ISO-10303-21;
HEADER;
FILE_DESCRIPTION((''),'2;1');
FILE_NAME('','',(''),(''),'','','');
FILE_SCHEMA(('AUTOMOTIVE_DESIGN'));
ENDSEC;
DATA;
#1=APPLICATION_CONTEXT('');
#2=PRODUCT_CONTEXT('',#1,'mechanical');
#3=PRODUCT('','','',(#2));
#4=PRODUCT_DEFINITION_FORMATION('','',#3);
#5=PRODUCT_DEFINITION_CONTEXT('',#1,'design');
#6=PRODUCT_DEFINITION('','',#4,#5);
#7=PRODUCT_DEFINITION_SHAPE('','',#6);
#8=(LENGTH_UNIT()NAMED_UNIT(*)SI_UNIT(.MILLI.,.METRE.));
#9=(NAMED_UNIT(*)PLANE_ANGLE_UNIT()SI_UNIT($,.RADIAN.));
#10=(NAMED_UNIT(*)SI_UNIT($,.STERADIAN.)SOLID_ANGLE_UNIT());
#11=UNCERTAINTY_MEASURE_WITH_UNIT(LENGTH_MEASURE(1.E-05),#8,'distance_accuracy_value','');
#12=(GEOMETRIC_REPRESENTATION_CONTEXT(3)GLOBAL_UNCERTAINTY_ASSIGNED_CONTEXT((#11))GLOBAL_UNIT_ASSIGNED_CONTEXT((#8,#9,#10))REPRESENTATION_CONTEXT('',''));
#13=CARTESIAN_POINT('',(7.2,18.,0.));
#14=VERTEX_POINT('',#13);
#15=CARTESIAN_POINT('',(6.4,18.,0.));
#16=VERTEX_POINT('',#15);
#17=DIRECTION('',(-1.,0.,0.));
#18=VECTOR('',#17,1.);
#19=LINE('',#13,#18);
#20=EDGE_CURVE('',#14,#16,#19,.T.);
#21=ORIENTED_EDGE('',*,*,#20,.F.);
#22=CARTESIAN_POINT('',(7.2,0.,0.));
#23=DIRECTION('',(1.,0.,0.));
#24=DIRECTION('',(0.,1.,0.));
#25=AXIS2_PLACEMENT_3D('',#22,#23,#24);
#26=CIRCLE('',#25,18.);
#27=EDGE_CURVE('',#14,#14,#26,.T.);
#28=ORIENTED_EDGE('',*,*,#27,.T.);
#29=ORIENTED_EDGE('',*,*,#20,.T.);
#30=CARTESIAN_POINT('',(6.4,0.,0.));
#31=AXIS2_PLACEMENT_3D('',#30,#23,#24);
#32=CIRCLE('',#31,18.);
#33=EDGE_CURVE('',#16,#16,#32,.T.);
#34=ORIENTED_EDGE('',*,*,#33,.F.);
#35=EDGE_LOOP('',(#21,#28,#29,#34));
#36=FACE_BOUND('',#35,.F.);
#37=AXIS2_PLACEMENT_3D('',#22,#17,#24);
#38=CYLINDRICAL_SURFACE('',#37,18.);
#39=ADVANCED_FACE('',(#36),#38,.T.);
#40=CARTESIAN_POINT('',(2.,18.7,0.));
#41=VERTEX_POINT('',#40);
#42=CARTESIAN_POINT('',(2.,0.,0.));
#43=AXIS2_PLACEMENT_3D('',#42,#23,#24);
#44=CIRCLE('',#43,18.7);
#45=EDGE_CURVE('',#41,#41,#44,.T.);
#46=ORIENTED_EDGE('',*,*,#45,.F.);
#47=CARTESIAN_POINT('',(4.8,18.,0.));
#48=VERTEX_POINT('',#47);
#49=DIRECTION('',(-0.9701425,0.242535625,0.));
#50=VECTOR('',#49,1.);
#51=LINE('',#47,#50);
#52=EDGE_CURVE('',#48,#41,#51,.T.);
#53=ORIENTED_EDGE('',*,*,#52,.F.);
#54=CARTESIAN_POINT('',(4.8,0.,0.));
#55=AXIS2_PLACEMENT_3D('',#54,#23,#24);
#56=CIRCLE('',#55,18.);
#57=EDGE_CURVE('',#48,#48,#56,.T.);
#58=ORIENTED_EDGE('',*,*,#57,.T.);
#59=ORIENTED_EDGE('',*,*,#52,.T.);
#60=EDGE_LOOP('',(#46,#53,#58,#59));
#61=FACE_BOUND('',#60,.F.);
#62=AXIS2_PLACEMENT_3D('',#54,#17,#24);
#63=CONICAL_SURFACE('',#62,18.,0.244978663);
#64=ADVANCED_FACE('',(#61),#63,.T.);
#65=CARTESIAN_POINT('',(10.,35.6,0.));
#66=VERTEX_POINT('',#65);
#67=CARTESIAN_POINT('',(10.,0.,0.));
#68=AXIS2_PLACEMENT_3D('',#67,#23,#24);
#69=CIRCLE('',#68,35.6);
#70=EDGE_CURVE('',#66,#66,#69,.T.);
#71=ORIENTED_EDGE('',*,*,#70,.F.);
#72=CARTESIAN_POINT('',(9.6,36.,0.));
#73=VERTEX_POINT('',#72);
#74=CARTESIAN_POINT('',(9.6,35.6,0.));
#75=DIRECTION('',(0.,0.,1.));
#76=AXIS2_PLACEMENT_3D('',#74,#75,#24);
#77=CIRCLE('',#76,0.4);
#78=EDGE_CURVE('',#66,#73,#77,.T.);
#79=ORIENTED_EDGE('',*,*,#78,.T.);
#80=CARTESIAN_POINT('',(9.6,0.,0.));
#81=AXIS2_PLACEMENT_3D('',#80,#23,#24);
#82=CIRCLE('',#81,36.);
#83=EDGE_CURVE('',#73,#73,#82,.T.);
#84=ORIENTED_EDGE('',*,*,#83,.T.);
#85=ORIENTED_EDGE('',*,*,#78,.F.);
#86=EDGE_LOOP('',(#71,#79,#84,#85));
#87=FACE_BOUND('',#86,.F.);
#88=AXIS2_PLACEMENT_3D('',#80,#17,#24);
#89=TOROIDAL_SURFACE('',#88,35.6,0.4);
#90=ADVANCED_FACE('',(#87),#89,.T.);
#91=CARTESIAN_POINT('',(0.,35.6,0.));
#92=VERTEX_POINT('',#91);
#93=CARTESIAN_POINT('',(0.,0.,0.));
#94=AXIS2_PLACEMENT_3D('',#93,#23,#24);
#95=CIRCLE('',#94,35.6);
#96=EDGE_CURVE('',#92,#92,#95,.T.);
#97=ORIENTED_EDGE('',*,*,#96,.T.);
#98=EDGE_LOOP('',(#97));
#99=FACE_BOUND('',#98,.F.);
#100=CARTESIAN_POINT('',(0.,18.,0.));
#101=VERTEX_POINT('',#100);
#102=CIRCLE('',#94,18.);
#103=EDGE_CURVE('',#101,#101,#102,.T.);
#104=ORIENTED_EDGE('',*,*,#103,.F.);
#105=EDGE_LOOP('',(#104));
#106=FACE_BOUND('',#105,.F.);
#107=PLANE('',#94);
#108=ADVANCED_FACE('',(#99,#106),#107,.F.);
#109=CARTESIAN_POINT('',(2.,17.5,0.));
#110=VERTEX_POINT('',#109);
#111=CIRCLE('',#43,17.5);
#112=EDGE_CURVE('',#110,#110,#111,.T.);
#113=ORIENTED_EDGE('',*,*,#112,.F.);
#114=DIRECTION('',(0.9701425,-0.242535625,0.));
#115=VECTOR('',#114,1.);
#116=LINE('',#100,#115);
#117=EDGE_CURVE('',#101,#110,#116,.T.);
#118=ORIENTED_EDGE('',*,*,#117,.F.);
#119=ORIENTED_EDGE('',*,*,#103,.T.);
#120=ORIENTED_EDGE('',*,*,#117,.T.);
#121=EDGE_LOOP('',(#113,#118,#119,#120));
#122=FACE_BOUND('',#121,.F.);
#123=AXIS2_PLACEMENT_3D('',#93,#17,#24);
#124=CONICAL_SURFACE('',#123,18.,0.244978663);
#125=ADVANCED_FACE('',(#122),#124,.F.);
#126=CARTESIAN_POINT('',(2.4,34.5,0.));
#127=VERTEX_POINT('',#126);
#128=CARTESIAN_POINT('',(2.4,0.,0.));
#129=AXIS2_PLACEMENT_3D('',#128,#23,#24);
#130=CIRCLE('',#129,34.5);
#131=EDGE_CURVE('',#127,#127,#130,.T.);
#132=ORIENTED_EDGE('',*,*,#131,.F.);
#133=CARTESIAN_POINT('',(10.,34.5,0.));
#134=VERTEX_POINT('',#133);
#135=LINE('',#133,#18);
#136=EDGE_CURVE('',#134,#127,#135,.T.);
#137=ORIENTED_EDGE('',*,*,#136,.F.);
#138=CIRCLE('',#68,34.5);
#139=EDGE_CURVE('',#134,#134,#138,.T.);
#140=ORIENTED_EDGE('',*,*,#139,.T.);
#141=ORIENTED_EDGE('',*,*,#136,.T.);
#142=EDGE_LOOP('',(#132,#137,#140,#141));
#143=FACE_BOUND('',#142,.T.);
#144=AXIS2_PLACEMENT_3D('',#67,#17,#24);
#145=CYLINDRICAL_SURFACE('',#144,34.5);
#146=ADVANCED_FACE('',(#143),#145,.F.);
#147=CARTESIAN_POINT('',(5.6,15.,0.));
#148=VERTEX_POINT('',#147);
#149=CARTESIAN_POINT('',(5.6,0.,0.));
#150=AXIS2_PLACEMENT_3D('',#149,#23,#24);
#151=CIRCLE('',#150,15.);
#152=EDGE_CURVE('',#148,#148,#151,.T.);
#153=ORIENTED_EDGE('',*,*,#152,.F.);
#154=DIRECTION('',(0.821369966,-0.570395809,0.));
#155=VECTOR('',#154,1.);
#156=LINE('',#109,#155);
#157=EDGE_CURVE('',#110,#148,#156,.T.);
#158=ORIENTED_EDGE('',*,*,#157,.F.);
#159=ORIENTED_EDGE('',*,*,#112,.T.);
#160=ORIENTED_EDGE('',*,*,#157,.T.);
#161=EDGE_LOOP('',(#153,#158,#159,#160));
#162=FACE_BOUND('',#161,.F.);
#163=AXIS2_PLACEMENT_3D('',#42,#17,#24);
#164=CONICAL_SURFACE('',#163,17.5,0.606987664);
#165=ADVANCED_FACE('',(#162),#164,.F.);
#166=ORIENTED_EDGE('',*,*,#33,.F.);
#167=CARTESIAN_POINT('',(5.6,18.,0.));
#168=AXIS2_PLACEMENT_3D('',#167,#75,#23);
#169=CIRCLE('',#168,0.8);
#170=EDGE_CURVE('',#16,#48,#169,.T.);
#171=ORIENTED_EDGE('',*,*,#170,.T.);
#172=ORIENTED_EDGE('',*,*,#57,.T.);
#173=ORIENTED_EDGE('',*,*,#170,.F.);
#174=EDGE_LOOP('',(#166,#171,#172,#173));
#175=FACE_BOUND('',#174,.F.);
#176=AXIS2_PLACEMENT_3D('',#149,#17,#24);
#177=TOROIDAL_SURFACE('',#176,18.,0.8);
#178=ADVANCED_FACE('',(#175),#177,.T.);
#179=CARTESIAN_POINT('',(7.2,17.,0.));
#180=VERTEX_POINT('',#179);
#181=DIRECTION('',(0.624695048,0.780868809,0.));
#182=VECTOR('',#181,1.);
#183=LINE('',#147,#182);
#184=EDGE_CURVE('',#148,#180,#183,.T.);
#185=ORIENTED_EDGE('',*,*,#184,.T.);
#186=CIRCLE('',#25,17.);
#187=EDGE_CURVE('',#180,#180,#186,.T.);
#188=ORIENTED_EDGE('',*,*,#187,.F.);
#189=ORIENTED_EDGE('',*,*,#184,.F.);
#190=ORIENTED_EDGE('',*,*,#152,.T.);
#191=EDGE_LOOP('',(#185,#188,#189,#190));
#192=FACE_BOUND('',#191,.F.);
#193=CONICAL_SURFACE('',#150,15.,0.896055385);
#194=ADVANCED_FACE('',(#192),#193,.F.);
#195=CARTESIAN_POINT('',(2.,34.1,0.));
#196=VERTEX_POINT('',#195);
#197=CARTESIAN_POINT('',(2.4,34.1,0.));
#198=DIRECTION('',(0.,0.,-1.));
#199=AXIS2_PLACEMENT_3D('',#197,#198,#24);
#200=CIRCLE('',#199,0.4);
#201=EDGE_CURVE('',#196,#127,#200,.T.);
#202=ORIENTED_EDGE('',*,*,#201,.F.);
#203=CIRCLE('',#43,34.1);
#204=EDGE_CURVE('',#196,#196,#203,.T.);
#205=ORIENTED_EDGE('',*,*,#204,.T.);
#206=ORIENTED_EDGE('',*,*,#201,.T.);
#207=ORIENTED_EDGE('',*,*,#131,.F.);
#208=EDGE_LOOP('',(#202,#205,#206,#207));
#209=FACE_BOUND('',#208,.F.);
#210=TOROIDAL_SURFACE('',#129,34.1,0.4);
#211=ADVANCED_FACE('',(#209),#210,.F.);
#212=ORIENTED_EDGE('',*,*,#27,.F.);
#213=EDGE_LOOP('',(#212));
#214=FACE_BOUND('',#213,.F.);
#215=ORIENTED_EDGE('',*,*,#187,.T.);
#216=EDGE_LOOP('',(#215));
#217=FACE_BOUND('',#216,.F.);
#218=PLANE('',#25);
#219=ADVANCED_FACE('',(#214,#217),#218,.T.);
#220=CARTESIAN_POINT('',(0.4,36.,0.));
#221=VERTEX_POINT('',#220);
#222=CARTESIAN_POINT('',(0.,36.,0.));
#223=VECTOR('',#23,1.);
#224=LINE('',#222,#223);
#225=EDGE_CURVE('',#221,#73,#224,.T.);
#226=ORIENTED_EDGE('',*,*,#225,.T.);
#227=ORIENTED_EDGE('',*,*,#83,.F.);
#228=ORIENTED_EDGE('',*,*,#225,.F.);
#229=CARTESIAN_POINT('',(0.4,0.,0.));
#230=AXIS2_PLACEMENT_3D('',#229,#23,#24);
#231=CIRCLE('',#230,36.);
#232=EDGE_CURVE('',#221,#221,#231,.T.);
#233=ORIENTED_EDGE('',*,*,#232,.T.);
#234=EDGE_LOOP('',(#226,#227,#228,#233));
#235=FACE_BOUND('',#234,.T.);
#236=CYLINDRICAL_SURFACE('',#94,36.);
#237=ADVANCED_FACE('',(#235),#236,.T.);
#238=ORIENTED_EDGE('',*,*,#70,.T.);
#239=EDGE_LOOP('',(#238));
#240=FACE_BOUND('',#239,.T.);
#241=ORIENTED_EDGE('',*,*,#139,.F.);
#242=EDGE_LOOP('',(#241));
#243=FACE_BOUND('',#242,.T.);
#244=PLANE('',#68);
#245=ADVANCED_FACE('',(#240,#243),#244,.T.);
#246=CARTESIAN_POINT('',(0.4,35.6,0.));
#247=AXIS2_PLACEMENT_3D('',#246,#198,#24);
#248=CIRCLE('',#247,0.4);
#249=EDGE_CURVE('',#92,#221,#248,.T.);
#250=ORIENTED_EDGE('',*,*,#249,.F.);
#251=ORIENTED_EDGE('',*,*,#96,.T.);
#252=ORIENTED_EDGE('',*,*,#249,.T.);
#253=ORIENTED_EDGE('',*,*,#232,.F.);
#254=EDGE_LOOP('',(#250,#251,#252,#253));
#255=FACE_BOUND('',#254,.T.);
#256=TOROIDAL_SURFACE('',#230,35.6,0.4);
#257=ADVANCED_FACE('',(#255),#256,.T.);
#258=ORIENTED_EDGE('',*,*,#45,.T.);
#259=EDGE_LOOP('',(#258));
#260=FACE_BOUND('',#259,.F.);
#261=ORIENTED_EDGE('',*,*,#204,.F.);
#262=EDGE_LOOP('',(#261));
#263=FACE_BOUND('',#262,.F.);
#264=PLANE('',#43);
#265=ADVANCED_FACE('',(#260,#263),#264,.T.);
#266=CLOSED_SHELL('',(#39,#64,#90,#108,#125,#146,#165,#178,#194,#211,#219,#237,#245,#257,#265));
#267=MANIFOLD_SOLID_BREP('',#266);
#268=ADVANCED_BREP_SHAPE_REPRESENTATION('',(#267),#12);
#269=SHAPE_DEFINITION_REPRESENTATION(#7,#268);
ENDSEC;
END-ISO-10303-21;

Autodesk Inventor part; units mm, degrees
ref_plane "YZ Plane" through (0, 0, 0) normal (1, 0, 0) x (0, 1, 0)
ref_plane "XZ Plane" through (0, 0, 0) normal (0, 1, 0) x (-1, 0, 0)
ref_plane "XY Plane" through (0, 0, 0) normal (0, 0, 1) x (1, 0, 0)
sketch "Эскиз1" plane through (0, 0, 0) normal (0, 0, 1) x (1, 0, 0)
  circle A0 centre (5.6, 18) radius 0.52
  circle A1 centre (5.6, 18) radius 0.8
  line L0 (7.2, 17) -> (7.2, 18)
  line L1 (0, 36) -> (10, 36)
  line L2 (10, 36) -> (10, 34.5)
  line L3 (10, 34.5) -> (2, 34.5)
  line L4 (0, 0) -> (9.5856, 0)
  line L5 (0, 36) -> (0, 18)
  line L6 (0, 18) -> (2, 17.5)
  line L7 (2, 17.5) -> (5.6, 15)
  line L8 (5.6, 15) -> (7.2, 17)
  line L9 (5.6, 15) -> (0, 15) construction
  line L10 (0, 43.2) -> (0, -7.2) projected
  line L11 (-2, 0) -> (12, 0) projected
  line L12 (4.8, 18) -> (2, 18.7)
  line L13 (2, 18.7) -> (2, 34.5)
  line L14 (7.2, 18) -> (6.4, 18)
  dimension "d0" = 72
  dimension "d1" = 34
  dimension "d2" = 1.5
  dimension "d3" = 1.04
  dimension "d4" = 1.6
  dimension "d5" = 30
  dimension "d6" = 35
  dimension "d7" = 36
  dimension "d8" = 5.6
  dimension "d9" = 7.2
  dimension "d10" = 10
  dimension "d12" = 2
revolve "Базовый элемент" add sketch "Эскиз1" angle 360 about axis through (0, 0, 0) along (1, 0, 0) contours L14 L0 L8 L7 L6 L5 L1 L2 L3 L13 L12 A1
revolve "Пружинные1" add sketch "Эскиз1" angle 360 about axis through (0, 0, 0) along (1, 0, 0) contours A0 | A1
fillet "Сопряжение1" radius 0.4 3 edges at (10, -36, 0) (2, -34.5, 0) (0, -36, 0)
equation "\"d0\" = SD2"
equation "\"d3\" = SPDI"
equation "\"d4\" = SPDA"
equation "\"d8\" = SPDST"
equation "\"d9\" = SDI"
equation "\"d12\" = SD"
equation "\"d11\" = RR"
equation "\"SD2\" = 72"
equation "\"SWDT\" = 8"
equation "\"RR\" = 0.4"
equation "\"SD\" = 2"
equation "\"SPDA\" = 1.6"
equation "\"SPDI\" = 1.04"
equation "\"TKDM\" = 53"
equation "\"HLDM\" = 54.8"
equation "\"ABDM\" = 52"
equation "\"SDI\" = 7.2"
equation "\"SPDST\" = 5.6"
equation "\"LAB\" = 0.4"
properties part number "Манжет 1-50x72x8 ГОСТ 8752-79" material "Резина"
